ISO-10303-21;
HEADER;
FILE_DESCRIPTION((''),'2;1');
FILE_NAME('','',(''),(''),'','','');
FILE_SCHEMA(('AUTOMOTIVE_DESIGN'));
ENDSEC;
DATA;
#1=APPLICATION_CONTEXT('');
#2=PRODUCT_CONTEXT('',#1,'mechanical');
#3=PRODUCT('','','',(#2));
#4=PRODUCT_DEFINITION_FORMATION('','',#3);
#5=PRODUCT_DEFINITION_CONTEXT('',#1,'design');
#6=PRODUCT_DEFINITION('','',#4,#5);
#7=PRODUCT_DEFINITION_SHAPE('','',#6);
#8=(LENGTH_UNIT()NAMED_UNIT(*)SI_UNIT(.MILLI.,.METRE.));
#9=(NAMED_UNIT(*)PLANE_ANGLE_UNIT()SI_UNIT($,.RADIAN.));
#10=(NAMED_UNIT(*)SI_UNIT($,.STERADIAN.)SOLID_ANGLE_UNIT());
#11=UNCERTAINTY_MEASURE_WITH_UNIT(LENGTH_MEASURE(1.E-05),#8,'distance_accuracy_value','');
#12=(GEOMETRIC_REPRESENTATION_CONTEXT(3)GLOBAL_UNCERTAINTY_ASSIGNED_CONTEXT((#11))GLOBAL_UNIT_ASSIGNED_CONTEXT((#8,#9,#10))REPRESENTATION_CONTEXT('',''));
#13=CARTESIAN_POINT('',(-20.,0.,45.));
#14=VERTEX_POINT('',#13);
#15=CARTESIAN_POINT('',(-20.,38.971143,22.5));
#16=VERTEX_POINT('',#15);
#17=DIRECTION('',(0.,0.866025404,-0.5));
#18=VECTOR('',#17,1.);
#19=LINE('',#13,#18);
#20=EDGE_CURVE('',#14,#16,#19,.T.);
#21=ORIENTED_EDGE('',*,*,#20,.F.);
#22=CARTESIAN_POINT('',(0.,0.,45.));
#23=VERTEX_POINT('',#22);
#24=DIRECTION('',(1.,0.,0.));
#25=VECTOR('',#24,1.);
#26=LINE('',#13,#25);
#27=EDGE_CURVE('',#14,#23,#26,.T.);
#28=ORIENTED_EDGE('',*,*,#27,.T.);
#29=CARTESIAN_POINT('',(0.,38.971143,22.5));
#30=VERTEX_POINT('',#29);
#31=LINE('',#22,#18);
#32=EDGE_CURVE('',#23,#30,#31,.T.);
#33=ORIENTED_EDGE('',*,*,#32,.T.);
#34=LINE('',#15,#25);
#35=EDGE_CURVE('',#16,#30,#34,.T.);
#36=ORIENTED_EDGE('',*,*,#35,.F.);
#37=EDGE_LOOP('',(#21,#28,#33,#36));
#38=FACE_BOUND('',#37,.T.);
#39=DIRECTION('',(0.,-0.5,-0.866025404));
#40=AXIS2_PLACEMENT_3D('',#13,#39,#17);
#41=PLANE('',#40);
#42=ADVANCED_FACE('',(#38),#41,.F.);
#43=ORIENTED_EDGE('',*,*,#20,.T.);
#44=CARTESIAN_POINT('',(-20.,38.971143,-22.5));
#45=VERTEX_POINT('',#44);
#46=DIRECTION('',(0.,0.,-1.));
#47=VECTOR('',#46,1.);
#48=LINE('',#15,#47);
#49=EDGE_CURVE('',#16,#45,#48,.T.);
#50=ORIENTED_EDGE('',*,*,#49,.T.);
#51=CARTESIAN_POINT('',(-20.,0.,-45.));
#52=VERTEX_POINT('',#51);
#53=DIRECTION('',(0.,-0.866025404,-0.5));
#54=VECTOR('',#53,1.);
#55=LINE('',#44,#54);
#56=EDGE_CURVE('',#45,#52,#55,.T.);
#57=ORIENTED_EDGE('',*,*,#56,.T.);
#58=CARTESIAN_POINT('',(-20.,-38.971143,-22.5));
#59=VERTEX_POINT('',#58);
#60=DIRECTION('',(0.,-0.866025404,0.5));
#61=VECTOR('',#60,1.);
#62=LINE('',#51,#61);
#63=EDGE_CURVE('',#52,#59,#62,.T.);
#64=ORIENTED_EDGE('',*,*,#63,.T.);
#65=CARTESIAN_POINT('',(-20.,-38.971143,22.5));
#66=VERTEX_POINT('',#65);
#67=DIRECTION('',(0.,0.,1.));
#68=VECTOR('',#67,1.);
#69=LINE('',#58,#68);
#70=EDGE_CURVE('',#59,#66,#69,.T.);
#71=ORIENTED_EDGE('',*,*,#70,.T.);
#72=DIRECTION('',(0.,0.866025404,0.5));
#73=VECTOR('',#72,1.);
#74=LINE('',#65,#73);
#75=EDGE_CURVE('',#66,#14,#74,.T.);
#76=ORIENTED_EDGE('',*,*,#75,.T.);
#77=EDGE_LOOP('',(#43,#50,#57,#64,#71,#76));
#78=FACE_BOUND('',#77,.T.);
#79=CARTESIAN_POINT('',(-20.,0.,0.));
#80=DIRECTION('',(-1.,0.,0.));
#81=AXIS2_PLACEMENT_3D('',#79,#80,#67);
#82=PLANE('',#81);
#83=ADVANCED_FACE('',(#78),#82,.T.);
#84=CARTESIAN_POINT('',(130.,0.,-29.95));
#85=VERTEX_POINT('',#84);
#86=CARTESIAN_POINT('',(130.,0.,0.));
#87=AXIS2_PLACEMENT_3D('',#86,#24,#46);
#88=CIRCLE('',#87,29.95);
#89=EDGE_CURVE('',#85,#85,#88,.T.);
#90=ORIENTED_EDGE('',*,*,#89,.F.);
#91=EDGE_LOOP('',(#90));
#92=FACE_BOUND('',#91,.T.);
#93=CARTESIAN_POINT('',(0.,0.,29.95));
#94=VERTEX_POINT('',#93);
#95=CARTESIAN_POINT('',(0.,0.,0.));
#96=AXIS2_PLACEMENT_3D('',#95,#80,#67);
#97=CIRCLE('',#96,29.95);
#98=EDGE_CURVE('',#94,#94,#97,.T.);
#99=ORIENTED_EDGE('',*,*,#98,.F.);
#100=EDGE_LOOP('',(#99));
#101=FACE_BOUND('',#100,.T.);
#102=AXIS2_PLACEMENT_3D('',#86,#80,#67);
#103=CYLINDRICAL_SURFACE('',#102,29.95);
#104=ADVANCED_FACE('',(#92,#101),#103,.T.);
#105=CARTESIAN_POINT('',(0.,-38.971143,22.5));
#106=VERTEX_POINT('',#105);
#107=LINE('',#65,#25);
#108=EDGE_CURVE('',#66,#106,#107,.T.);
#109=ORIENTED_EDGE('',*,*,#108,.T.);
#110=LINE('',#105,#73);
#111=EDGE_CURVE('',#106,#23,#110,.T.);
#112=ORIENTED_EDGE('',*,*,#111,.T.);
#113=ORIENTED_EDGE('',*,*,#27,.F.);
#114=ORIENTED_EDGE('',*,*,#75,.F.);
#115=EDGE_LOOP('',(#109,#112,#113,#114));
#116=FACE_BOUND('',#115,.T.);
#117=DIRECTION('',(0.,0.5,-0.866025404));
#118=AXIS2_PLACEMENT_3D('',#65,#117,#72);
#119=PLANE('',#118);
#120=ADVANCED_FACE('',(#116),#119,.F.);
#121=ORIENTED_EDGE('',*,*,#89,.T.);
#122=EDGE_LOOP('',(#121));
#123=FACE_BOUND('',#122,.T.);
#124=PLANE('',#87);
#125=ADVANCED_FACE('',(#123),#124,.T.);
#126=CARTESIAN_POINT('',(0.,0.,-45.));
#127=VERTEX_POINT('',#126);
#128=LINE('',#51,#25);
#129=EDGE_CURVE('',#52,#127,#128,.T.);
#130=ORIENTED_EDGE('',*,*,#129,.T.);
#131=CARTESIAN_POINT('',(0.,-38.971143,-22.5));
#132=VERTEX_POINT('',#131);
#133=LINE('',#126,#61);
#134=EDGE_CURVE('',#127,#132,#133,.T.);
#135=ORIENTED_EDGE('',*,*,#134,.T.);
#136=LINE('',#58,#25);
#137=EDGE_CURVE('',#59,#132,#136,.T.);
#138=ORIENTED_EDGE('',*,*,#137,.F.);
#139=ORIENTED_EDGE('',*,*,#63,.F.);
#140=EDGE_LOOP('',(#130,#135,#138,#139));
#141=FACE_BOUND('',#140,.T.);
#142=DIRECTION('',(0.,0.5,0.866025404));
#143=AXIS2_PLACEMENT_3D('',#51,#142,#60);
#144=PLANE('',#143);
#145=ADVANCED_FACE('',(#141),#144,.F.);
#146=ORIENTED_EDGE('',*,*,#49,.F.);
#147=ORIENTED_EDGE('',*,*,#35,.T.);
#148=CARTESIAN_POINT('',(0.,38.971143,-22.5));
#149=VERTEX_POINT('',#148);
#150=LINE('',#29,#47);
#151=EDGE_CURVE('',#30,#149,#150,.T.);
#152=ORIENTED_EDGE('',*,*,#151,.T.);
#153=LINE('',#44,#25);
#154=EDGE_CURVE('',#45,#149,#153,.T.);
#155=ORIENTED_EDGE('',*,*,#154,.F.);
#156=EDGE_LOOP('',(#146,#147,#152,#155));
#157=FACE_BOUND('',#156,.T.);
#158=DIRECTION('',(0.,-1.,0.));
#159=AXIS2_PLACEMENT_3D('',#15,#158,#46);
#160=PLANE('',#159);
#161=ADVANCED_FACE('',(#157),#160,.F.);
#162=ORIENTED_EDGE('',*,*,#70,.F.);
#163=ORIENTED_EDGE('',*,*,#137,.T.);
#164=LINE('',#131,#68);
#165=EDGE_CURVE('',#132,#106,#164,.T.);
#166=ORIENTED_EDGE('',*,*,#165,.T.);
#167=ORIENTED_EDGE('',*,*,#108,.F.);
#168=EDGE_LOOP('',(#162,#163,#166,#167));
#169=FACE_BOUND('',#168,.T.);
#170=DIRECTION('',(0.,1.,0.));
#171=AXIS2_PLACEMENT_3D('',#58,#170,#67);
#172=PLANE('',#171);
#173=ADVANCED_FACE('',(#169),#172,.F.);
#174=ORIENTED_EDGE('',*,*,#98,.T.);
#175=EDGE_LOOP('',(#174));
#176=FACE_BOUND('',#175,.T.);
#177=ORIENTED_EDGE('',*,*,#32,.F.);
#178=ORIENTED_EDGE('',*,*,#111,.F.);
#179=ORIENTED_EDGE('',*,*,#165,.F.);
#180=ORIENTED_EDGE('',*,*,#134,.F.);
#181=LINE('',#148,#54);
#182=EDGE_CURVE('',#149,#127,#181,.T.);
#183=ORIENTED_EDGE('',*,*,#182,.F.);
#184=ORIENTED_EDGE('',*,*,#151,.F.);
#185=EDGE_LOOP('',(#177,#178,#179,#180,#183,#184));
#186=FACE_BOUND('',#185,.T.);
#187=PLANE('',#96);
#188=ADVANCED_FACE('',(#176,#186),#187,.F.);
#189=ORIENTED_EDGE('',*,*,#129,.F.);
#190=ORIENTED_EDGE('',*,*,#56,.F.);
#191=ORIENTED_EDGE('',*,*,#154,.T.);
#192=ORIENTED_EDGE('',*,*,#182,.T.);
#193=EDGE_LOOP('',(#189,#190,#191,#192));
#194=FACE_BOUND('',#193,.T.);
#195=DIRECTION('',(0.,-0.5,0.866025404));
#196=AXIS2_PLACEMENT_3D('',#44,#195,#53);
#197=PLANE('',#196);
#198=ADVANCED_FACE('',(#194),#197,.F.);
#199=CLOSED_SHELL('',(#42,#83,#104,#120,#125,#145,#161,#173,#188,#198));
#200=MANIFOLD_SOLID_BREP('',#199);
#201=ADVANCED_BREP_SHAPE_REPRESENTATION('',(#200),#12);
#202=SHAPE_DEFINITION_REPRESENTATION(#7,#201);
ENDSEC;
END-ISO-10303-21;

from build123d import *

# Parameters (mm, degrees)
SKETCH1_R           = 29.95
BOSS_EXTRUDE1_DEPTH = 130
BOSS_EXTRUDE2_DEPTH = 20


with BuildPart() as part:
    # Sketch1 → Boss-Extrude1 (new body)
    with BuildSketch(Plane(origin=(0, 0, 0), x_dir=(0, 0, -1), z_dir=(1, 0, 0))):
        Circle(SKETCH1_R)
    extrude(amount=BOSS_EXTRUDE1_DEPTH)

    # Sketch2 → Boss-Extrude2 (add)
    with BuildSketch(Plane.ZY):
        Polygon((45, 0), (22.5, 38.97114317), (-22.5, 38.97114317), (-45, 0), (-22.5, -38.97114317), (22.5, -38.97114317), align=None)
    extrude(amount=BOSS_EXTRUDE2_DEPTH)


solid = part.part
